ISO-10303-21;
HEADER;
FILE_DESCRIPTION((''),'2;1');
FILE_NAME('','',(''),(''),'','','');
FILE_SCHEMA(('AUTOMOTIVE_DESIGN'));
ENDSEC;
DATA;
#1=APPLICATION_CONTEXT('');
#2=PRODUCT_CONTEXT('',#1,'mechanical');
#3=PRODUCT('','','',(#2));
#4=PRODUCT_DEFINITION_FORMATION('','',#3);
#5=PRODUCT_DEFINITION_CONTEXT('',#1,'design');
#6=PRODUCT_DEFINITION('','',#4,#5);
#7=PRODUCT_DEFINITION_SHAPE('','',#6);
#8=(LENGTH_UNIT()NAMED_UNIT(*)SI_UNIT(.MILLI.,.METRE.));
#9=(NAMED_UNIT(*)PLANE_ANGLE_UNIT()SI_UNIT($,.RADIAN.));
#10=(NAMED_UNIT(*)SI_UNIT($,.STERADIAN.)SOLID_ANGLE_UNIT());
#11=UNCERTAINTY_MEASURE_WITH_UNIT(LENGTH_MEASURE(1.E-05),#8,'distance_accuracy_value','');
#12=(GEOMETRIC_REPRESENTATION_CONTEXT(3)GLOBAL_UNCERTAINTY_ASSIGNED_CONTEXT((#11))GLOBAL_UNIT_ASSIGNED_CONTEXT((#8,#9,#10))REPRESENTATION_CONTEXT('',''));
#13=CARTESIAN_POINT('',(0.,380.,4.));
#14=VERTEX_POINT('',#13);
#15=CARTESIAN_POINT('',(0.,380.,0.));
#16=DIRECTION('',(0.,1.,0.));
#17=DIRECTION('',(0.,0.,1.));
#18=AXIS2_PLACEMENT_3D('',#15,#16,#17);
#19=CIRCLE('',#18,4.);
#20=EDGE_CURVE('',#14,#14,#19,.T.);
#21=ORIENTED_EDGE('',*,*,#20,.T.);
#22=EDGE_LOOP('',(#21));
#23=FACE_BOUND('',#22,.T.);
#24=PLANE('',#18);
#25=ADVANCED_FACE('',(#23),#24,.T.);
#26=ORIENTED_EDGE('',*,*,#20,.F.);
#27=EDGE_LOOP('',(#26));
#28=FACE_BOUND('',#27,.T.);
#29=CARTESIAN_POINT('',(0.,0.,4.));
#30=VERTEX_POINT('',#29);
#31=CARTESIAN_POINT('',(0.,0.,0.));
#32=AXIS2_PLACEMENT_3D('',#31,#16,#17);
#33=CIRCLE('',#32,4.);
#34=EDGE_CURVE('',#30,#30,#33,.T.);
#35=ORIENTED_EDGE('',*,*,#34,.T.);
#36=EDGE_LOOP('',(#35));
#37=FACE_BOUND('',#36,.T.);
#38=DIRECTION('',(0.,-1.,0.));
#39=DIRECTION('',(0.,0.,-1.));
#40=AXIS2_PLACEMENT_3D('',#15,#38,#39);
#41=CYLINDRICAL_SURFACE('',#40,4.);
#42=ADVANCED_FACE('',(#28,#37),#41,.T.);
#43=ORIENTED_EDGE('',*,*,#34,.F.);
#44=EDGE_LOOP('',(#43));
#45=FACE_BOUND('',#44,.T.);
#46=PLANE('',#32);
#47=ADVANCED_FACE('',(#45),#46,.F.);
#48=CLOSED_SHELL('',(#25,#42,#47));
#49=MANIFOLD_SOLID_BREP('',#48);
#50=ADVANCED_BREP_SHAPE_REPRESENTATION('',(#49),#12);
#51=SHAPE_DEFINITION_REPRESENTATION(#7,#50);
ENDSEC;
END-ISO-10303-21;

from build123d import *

# Parameters (mm, degrees)
SKETCH1_R           = 4
BOSS_EXTRUDE1_DEPTH = 380


with BuildPart() as part:
    # Sketch1 → Boss-Extrude1 (new body)
    with BuildSketch(Plane(origin=(0, 0, 0), x_dir=(1, 0, 0), z_dir=(0, 1, 0))):
        Circle(SKETCH1_R)
    extrude(amount=BOSS_EXTRUDE1_DEPTH)


solid = part.part
